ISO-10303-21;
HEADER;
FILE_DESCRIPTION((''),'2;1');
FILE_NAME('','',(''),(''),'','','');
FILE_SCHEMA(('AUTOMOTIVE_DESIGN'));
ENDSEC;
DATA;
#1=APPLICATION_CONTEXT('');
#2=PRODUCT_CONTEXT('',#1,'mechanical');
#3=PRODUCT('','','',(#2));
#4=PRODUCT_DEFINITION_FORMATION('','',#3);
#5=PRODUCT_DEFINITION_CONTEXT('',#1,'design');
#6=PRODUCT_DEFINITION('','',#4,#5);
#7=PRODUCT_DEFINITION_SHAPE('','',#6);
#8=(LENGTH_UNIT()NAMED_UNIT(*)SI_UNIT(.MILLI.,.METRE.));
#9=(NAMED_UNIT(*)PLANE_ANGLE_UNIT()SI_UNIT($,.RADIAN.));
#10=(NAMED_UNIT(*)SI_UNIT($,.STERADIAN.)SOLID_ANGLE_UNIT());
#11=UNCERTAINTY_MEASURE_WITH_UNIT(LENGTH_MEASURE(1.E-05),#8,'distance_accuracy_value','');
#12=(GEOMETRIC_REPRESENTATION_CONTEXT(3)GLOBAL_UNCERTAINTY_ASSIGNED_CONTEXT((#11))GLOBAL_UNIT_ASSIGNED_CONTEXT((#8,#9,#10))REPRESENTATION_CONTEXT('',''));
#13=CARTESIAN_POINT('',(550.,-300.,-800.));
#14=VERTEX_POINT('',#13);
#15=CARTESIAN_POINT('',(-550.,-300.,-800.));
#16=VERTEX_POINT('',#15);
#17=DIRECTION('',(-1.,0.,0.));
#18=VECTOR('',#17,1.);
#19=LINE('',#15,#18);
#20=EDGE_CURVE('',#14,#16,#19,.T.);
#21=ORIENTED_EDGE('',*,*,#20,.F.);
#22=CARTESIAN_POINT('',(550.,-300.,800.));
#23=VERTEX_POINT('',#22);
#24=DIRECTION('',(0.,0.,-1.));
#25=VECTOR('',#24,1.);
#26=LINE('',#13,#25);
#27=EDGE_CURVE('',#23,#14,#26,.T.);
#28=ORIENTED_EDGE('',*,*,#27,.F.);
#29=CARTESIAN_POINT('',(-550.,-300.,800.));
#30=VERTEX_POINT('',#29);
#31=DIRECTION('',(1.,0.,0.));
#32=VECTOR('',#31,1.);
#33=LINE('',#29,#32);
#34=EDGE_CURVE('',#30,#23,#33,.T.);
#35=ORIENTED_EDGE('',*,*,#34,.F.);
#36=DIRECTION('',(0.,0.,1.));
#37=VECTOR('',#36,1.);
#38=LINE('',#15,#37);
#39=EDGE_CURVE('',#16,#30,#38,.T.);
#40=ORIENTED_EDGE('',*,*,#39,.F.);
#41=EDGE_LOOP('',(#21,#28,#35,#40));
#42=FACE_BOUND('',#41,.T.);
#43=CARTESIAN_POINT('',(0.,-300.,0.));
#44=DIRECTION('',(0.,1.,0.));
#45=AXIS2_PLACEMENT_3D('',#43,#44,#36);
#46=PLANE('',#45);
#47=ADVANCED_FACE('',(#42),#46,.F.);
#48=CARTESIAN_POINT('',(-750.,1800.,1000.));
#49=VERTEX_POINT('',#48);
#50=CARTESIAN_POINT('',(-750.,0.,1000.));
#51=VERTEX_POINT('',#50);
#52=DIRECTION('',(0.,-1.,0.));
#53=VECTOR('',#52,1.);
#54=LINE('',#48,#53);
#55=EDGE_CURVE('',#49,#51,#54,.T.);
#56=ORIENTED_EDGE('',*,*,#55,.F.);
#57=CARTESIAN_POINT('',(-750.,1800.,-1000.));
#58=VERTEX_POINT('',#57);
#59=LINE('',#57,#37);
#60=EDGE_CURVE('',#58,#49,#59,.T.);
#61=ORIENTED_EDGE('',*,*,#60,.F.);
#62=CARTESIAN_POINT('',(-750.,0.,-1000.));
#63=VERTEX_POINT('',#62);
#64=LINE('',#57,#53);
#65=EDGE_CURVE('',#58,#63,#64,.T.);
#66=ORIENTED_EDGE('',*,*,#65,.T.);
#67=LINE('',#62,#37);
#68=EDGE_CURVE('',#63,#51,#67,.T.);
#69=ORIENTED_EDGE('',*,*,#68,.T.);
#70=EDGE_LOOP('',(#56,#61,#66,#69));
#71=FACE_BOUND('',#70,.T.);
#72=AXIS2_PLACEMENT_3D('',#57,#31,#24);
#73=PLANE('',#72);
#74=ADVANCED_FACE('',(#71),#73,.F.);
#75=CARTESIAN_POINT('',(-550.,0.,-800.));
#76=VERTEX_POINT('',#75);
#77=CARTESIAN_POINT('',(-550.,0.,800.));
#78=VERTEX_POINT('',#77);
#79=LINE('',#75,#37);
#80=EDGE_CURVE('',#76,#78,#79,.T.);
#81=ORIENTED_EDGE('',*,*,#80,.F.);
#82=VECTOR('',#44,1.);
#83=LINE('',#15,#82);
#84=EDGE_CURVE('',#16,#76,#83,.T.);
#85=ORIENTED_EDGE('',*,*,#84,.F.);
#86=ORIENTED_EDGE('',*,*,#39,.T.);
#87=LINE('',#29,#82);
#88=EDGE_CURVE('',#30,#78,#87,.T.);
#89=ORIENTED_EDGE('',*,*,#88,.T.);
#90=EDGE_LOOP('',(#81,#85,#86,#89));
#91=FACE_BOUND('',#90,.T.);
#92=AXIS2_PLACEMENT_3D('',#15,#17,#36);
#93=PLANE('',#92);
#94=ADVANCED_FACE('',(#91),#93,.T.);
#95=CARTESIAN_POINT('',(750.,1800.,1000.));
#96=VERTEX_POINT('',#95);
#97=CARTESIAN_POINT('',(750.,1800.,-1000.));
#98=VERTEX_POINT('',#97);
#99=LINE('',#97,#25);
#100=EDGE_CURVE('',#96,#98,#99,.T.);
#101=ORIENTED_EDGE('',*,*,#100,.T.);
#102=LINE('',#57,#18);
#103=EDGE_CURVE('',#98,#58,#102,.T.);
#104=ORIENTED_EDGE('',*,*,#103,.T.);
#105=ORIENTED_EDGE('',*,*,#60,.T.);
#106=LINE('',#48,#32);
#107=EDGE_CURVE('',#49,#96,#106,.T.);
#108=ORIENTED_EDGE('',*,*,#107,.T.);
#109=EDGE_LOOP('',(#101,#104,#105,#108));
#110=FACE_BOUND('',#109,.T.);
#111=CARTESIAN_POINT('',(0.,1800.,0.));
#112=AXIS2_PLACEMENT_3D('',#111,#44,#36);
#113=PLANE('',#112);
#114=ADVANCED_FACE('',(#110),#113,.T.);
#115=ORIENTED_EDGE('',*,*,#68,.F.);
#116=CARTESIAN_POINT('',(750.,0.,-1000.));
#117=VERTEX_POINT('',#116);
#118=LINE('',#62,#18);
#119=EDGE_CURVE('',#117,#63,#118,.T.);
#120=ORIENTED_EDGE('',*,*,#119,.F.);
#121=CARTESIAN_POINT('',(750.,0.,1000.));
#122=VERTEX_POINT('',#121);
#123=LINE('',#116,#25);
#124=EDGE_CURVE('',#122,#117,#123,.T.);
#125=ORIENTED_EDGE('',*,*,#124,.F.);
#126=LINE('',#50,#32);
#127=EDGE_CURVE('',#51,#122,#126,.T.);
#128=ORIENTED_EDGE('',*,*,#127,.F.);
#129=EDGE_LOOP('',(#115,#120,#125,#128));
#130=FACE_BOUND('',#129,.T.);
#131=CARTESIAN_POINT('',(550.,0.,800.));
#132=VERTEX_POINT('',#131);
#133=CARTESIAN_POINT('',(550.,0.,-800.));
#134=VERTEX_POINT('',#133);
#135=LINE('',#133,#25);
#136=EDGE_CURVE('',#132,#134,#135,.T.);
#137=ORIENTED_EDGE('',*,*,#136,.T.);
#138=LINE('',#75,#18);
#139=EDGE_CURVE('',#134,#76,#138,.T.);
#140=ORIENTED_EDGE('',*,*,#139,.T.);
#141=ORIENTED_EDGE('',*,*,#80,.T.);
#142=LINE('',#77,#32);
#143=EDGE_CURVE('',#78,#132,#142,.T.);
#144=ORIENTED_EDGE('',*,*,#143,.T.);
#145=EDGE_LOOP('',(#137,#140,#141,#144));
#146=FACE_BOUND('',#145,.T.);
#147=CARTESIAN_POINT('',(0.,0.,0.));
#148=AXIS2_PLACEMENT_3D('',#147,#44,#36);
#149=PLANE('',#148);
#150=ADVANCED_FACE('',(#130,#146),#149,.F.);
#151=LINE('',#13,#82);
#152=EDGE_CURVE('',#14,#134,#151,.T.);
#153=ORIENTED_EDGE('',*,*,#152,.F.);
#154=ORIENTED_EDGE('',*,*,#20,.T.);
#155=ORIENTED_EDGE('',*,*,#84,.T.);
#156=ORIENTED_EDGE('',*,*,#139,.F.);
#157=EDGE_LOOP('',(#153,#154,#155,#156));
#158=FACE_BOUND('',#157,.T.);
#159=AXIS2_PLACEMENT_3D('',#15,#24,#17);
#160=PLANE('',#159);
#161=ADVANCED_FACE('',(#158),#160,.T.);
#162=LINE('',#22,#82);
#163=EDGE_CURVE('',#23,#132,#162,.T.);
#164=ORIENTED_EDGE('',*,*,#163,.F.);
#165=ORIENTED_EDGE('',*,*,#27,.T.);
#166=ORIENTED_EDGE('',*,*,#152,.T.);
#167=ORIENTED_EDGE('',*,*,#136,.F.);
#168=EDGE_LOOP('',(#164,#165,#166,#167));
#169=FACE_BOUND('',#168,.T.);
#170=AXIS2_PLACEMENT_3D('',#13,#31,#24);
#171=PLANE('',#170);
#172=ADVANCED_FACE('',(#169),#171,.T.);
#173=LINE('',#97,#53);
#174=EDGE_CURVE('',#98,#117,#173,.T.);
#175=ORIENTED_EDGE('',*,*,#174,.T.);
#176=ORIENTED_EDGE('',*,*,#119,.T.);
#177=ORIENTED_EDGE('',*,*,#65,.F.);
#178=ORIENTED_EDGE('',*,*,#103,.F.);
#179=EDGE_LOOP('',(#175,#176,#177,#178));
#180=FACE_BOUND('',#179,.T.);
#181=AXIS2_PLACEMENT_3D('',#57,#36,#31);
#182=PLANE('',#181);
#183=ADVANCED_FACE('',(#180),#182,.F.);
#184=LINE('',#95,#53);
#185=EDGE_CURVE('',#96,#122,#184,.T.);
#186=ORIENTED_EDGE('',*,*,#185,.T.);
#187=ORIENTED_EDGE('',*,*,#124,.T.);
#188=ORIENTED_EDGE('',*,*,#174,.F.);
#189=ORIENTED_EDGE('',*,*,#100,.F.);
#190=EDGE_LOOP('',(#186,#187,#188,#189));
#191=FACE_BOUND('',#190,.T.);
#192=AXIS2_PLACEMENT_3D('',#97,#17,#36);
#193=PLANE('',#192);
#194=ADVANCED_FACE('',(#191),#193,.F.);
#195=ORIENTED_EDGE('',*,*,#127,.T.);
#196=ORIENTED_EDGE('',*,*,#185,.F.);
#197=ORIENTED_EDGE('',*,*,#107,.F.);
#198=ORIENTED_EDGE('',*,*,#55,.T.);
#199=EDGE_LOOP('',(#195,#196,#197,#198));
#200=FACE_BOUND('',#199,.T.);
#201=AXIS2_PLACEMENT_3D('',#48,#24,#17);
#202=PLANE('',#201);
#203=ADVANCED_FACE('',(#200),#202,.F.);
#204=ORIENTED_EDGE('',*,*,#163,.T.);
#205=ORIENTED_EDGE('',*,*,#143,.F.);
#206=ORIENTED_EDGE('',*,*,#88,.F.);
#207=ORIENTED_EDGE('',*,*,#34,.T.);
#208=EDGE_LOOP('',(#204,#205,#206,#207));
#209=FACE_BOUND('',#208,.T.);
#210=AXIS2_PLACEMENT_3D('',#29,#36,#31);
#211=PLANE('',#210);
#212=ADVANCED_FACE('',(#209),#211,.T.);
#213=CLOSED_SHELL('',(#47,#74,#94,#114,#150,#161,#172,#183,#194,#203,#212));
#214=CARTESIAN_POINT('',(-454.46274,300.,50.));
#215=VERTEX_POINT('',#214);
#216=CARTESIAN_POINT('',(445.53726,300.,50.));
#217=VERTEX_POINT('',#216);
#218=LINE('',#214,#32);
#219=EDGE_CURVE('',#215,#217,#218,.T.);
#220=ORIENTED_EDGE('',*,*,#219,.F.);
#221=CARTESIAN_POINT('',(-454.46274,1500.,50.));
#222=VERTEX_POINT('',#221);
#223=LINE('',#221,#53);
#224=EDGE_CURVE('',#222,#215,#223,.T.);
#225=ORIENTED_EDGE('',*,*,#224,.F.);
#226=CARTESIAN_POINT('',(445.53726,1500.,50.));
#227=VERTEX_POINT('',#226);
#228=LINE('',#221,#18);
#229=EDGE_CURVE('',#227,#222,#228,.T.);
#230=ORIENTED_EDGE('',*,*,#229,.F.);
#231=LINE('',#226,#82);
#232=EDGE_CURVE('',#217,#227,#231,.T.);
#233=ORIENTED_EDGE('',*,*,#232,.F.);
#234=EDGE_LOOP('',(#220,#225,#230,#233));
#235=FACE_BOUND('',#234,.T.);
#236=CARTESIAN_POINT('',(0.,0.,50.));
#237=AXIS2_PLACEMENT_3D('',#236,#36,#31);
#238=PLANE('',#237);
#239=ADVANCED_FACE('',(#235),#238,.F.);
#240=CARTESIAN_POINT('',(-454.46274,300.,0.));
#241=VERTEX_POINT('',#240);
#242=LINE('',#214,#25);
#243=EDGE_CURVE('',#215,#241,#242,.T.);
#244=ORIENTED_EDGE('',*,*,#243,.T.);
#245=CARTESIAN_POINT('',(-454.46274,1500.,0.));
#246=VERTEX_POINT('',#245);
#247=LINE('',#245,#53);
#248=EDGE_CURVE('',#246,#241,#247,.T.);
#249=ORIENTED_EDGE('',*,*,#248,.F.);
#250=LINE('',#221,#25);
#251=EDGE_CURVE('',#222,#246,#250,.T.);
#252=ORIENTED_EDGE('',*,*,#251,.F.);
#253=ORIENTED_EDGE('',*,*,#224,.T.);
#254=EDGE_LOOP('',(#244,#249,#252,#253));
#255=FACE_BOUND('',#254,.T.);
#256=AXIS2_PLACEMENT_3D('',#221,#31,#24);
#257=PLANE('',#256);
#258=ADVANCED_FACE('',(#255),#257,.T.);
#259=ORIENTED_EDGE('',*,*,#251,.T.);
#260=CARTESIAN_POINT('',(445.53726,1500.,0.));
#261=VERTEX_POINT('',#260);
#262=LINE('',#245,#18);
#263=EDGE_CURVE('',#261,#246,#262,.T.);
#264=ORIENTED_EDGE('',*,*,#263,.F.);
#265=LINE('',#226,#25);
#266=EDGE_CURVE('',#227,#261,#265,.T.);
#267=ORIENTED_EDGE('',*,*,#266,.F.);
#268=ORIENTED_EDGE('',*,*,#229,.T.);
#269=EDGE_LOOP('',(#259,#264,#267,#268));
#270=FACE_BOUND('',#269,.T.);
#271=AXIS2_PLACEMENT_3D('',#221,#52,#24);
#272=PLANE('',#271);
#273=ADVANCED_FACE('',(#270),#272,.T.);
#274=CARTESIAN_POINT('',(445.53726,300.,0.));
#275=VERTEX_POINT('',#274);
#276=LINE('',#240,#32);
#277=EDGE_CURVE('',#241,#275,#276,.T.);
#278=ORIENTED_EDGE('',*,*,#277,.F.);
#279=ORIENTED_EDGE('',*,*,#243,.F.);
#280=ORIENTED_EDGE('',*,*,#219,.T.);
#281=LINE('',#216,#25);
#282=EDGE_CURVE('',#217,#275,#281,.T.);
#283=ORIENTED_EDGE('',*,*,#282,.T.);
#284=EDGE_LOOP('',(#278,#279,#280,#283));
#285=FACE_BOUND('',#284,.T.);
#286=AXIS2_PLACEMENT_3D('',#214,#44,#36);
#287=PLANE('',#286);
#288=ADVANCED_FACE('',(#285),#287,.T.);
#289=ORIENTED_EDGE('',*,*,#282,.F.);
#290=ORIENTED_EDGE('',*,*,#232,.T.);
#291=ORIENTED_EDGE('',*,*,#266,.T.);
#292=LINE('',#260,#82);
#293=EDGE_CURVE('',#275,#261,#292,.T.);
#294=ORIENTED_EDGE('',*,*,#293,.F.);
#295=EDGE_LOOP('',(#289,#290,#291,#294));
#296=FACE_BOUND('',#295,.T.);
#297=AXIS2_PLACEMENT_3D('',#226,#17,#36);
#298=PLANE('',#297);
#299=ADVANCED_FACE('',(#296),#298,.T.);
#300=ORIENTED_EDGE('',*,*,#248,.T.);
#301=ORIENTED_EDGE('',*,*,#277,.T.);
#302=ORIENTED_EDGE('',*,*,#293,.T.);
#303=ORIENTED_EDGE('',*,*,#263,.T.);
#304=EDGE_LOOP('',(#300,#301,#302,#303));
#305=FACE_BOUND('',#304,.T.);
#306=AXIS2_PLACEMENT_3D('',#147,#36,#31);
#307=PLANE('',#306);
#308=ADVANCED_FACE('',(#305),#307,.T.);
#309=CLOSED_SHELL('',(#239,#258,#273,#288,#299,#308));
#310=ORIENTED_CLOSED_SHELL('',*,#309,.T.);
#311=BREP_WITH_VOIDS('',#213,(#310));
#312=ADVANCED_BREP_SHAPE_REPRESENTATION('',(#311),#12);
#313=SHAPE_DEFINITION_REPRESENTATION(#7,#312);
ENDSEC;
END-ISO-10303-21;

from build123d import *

# Parameters (mm, degrees)
SKETCH2_W           = 1500
SKETCH2_H           = 2000
BOSS_EXTRUDE1_DEPTH = 1800
SKETCH3_W           = 1100
SKETCH3_H           = 1600
BOSS_EXTRUDE2_DEPTH = 300
SKETCH4_W           = 900
SKETCH4_H           = 1200
CUT_EXTRUDE1_DEPTH  = 50
SKETCH5_W           = 600
SKETCH5_H           = 400
BOSS_EXTRUDE3_DEPTH = 50


with BuildPart() as part:
    # Sketch2 → Boss-Extrude1 (new body)
    with BuildSketch(Plane(origin=(0, 0, 0), x_dir=(1, 0, 0), z_dir=(0, 1, 0))):
        Rectangle(SKETCH2_W, SKETCH2_H)
    extrude(amount=BOSS_EXTRUDE1_DEPTH)

    # Sketch3 → Boss-Extrude2 (add)
    with BuildSketch(Plane(origin=(0, 0, 0), x_dir=(1, 0, 0), z_dir=(0, 1, 0))):
        Rectangle(SKETCH3_W, SKETCH3_H)
    extrude(amount=-BOSS_EXTRUDE2_DEPTH)

    # Sketch4 → Cut-Extrude1 (cut)
    with BuildSketch(Plane.XY):
        with Locations((-4.462739717, 900)):
            Rectangle(SKETCH4_W, SKETCH4_H)
    extrude(amount=CUT_EXTRUDE1_DEPTH, mode=Mode.SUBTRACT)

    # Sketch5 → Boss-Extrude3 (add)
    with BuildSketch(Plane.XY):
        with Locations((71.403835473, 918.76082198)):
            Rectangle(SKETCH5_W, SKETCH5_H)
    extrude(amount=-BOSS_EXTRUDE3_DEPTH)


solid = part.part
